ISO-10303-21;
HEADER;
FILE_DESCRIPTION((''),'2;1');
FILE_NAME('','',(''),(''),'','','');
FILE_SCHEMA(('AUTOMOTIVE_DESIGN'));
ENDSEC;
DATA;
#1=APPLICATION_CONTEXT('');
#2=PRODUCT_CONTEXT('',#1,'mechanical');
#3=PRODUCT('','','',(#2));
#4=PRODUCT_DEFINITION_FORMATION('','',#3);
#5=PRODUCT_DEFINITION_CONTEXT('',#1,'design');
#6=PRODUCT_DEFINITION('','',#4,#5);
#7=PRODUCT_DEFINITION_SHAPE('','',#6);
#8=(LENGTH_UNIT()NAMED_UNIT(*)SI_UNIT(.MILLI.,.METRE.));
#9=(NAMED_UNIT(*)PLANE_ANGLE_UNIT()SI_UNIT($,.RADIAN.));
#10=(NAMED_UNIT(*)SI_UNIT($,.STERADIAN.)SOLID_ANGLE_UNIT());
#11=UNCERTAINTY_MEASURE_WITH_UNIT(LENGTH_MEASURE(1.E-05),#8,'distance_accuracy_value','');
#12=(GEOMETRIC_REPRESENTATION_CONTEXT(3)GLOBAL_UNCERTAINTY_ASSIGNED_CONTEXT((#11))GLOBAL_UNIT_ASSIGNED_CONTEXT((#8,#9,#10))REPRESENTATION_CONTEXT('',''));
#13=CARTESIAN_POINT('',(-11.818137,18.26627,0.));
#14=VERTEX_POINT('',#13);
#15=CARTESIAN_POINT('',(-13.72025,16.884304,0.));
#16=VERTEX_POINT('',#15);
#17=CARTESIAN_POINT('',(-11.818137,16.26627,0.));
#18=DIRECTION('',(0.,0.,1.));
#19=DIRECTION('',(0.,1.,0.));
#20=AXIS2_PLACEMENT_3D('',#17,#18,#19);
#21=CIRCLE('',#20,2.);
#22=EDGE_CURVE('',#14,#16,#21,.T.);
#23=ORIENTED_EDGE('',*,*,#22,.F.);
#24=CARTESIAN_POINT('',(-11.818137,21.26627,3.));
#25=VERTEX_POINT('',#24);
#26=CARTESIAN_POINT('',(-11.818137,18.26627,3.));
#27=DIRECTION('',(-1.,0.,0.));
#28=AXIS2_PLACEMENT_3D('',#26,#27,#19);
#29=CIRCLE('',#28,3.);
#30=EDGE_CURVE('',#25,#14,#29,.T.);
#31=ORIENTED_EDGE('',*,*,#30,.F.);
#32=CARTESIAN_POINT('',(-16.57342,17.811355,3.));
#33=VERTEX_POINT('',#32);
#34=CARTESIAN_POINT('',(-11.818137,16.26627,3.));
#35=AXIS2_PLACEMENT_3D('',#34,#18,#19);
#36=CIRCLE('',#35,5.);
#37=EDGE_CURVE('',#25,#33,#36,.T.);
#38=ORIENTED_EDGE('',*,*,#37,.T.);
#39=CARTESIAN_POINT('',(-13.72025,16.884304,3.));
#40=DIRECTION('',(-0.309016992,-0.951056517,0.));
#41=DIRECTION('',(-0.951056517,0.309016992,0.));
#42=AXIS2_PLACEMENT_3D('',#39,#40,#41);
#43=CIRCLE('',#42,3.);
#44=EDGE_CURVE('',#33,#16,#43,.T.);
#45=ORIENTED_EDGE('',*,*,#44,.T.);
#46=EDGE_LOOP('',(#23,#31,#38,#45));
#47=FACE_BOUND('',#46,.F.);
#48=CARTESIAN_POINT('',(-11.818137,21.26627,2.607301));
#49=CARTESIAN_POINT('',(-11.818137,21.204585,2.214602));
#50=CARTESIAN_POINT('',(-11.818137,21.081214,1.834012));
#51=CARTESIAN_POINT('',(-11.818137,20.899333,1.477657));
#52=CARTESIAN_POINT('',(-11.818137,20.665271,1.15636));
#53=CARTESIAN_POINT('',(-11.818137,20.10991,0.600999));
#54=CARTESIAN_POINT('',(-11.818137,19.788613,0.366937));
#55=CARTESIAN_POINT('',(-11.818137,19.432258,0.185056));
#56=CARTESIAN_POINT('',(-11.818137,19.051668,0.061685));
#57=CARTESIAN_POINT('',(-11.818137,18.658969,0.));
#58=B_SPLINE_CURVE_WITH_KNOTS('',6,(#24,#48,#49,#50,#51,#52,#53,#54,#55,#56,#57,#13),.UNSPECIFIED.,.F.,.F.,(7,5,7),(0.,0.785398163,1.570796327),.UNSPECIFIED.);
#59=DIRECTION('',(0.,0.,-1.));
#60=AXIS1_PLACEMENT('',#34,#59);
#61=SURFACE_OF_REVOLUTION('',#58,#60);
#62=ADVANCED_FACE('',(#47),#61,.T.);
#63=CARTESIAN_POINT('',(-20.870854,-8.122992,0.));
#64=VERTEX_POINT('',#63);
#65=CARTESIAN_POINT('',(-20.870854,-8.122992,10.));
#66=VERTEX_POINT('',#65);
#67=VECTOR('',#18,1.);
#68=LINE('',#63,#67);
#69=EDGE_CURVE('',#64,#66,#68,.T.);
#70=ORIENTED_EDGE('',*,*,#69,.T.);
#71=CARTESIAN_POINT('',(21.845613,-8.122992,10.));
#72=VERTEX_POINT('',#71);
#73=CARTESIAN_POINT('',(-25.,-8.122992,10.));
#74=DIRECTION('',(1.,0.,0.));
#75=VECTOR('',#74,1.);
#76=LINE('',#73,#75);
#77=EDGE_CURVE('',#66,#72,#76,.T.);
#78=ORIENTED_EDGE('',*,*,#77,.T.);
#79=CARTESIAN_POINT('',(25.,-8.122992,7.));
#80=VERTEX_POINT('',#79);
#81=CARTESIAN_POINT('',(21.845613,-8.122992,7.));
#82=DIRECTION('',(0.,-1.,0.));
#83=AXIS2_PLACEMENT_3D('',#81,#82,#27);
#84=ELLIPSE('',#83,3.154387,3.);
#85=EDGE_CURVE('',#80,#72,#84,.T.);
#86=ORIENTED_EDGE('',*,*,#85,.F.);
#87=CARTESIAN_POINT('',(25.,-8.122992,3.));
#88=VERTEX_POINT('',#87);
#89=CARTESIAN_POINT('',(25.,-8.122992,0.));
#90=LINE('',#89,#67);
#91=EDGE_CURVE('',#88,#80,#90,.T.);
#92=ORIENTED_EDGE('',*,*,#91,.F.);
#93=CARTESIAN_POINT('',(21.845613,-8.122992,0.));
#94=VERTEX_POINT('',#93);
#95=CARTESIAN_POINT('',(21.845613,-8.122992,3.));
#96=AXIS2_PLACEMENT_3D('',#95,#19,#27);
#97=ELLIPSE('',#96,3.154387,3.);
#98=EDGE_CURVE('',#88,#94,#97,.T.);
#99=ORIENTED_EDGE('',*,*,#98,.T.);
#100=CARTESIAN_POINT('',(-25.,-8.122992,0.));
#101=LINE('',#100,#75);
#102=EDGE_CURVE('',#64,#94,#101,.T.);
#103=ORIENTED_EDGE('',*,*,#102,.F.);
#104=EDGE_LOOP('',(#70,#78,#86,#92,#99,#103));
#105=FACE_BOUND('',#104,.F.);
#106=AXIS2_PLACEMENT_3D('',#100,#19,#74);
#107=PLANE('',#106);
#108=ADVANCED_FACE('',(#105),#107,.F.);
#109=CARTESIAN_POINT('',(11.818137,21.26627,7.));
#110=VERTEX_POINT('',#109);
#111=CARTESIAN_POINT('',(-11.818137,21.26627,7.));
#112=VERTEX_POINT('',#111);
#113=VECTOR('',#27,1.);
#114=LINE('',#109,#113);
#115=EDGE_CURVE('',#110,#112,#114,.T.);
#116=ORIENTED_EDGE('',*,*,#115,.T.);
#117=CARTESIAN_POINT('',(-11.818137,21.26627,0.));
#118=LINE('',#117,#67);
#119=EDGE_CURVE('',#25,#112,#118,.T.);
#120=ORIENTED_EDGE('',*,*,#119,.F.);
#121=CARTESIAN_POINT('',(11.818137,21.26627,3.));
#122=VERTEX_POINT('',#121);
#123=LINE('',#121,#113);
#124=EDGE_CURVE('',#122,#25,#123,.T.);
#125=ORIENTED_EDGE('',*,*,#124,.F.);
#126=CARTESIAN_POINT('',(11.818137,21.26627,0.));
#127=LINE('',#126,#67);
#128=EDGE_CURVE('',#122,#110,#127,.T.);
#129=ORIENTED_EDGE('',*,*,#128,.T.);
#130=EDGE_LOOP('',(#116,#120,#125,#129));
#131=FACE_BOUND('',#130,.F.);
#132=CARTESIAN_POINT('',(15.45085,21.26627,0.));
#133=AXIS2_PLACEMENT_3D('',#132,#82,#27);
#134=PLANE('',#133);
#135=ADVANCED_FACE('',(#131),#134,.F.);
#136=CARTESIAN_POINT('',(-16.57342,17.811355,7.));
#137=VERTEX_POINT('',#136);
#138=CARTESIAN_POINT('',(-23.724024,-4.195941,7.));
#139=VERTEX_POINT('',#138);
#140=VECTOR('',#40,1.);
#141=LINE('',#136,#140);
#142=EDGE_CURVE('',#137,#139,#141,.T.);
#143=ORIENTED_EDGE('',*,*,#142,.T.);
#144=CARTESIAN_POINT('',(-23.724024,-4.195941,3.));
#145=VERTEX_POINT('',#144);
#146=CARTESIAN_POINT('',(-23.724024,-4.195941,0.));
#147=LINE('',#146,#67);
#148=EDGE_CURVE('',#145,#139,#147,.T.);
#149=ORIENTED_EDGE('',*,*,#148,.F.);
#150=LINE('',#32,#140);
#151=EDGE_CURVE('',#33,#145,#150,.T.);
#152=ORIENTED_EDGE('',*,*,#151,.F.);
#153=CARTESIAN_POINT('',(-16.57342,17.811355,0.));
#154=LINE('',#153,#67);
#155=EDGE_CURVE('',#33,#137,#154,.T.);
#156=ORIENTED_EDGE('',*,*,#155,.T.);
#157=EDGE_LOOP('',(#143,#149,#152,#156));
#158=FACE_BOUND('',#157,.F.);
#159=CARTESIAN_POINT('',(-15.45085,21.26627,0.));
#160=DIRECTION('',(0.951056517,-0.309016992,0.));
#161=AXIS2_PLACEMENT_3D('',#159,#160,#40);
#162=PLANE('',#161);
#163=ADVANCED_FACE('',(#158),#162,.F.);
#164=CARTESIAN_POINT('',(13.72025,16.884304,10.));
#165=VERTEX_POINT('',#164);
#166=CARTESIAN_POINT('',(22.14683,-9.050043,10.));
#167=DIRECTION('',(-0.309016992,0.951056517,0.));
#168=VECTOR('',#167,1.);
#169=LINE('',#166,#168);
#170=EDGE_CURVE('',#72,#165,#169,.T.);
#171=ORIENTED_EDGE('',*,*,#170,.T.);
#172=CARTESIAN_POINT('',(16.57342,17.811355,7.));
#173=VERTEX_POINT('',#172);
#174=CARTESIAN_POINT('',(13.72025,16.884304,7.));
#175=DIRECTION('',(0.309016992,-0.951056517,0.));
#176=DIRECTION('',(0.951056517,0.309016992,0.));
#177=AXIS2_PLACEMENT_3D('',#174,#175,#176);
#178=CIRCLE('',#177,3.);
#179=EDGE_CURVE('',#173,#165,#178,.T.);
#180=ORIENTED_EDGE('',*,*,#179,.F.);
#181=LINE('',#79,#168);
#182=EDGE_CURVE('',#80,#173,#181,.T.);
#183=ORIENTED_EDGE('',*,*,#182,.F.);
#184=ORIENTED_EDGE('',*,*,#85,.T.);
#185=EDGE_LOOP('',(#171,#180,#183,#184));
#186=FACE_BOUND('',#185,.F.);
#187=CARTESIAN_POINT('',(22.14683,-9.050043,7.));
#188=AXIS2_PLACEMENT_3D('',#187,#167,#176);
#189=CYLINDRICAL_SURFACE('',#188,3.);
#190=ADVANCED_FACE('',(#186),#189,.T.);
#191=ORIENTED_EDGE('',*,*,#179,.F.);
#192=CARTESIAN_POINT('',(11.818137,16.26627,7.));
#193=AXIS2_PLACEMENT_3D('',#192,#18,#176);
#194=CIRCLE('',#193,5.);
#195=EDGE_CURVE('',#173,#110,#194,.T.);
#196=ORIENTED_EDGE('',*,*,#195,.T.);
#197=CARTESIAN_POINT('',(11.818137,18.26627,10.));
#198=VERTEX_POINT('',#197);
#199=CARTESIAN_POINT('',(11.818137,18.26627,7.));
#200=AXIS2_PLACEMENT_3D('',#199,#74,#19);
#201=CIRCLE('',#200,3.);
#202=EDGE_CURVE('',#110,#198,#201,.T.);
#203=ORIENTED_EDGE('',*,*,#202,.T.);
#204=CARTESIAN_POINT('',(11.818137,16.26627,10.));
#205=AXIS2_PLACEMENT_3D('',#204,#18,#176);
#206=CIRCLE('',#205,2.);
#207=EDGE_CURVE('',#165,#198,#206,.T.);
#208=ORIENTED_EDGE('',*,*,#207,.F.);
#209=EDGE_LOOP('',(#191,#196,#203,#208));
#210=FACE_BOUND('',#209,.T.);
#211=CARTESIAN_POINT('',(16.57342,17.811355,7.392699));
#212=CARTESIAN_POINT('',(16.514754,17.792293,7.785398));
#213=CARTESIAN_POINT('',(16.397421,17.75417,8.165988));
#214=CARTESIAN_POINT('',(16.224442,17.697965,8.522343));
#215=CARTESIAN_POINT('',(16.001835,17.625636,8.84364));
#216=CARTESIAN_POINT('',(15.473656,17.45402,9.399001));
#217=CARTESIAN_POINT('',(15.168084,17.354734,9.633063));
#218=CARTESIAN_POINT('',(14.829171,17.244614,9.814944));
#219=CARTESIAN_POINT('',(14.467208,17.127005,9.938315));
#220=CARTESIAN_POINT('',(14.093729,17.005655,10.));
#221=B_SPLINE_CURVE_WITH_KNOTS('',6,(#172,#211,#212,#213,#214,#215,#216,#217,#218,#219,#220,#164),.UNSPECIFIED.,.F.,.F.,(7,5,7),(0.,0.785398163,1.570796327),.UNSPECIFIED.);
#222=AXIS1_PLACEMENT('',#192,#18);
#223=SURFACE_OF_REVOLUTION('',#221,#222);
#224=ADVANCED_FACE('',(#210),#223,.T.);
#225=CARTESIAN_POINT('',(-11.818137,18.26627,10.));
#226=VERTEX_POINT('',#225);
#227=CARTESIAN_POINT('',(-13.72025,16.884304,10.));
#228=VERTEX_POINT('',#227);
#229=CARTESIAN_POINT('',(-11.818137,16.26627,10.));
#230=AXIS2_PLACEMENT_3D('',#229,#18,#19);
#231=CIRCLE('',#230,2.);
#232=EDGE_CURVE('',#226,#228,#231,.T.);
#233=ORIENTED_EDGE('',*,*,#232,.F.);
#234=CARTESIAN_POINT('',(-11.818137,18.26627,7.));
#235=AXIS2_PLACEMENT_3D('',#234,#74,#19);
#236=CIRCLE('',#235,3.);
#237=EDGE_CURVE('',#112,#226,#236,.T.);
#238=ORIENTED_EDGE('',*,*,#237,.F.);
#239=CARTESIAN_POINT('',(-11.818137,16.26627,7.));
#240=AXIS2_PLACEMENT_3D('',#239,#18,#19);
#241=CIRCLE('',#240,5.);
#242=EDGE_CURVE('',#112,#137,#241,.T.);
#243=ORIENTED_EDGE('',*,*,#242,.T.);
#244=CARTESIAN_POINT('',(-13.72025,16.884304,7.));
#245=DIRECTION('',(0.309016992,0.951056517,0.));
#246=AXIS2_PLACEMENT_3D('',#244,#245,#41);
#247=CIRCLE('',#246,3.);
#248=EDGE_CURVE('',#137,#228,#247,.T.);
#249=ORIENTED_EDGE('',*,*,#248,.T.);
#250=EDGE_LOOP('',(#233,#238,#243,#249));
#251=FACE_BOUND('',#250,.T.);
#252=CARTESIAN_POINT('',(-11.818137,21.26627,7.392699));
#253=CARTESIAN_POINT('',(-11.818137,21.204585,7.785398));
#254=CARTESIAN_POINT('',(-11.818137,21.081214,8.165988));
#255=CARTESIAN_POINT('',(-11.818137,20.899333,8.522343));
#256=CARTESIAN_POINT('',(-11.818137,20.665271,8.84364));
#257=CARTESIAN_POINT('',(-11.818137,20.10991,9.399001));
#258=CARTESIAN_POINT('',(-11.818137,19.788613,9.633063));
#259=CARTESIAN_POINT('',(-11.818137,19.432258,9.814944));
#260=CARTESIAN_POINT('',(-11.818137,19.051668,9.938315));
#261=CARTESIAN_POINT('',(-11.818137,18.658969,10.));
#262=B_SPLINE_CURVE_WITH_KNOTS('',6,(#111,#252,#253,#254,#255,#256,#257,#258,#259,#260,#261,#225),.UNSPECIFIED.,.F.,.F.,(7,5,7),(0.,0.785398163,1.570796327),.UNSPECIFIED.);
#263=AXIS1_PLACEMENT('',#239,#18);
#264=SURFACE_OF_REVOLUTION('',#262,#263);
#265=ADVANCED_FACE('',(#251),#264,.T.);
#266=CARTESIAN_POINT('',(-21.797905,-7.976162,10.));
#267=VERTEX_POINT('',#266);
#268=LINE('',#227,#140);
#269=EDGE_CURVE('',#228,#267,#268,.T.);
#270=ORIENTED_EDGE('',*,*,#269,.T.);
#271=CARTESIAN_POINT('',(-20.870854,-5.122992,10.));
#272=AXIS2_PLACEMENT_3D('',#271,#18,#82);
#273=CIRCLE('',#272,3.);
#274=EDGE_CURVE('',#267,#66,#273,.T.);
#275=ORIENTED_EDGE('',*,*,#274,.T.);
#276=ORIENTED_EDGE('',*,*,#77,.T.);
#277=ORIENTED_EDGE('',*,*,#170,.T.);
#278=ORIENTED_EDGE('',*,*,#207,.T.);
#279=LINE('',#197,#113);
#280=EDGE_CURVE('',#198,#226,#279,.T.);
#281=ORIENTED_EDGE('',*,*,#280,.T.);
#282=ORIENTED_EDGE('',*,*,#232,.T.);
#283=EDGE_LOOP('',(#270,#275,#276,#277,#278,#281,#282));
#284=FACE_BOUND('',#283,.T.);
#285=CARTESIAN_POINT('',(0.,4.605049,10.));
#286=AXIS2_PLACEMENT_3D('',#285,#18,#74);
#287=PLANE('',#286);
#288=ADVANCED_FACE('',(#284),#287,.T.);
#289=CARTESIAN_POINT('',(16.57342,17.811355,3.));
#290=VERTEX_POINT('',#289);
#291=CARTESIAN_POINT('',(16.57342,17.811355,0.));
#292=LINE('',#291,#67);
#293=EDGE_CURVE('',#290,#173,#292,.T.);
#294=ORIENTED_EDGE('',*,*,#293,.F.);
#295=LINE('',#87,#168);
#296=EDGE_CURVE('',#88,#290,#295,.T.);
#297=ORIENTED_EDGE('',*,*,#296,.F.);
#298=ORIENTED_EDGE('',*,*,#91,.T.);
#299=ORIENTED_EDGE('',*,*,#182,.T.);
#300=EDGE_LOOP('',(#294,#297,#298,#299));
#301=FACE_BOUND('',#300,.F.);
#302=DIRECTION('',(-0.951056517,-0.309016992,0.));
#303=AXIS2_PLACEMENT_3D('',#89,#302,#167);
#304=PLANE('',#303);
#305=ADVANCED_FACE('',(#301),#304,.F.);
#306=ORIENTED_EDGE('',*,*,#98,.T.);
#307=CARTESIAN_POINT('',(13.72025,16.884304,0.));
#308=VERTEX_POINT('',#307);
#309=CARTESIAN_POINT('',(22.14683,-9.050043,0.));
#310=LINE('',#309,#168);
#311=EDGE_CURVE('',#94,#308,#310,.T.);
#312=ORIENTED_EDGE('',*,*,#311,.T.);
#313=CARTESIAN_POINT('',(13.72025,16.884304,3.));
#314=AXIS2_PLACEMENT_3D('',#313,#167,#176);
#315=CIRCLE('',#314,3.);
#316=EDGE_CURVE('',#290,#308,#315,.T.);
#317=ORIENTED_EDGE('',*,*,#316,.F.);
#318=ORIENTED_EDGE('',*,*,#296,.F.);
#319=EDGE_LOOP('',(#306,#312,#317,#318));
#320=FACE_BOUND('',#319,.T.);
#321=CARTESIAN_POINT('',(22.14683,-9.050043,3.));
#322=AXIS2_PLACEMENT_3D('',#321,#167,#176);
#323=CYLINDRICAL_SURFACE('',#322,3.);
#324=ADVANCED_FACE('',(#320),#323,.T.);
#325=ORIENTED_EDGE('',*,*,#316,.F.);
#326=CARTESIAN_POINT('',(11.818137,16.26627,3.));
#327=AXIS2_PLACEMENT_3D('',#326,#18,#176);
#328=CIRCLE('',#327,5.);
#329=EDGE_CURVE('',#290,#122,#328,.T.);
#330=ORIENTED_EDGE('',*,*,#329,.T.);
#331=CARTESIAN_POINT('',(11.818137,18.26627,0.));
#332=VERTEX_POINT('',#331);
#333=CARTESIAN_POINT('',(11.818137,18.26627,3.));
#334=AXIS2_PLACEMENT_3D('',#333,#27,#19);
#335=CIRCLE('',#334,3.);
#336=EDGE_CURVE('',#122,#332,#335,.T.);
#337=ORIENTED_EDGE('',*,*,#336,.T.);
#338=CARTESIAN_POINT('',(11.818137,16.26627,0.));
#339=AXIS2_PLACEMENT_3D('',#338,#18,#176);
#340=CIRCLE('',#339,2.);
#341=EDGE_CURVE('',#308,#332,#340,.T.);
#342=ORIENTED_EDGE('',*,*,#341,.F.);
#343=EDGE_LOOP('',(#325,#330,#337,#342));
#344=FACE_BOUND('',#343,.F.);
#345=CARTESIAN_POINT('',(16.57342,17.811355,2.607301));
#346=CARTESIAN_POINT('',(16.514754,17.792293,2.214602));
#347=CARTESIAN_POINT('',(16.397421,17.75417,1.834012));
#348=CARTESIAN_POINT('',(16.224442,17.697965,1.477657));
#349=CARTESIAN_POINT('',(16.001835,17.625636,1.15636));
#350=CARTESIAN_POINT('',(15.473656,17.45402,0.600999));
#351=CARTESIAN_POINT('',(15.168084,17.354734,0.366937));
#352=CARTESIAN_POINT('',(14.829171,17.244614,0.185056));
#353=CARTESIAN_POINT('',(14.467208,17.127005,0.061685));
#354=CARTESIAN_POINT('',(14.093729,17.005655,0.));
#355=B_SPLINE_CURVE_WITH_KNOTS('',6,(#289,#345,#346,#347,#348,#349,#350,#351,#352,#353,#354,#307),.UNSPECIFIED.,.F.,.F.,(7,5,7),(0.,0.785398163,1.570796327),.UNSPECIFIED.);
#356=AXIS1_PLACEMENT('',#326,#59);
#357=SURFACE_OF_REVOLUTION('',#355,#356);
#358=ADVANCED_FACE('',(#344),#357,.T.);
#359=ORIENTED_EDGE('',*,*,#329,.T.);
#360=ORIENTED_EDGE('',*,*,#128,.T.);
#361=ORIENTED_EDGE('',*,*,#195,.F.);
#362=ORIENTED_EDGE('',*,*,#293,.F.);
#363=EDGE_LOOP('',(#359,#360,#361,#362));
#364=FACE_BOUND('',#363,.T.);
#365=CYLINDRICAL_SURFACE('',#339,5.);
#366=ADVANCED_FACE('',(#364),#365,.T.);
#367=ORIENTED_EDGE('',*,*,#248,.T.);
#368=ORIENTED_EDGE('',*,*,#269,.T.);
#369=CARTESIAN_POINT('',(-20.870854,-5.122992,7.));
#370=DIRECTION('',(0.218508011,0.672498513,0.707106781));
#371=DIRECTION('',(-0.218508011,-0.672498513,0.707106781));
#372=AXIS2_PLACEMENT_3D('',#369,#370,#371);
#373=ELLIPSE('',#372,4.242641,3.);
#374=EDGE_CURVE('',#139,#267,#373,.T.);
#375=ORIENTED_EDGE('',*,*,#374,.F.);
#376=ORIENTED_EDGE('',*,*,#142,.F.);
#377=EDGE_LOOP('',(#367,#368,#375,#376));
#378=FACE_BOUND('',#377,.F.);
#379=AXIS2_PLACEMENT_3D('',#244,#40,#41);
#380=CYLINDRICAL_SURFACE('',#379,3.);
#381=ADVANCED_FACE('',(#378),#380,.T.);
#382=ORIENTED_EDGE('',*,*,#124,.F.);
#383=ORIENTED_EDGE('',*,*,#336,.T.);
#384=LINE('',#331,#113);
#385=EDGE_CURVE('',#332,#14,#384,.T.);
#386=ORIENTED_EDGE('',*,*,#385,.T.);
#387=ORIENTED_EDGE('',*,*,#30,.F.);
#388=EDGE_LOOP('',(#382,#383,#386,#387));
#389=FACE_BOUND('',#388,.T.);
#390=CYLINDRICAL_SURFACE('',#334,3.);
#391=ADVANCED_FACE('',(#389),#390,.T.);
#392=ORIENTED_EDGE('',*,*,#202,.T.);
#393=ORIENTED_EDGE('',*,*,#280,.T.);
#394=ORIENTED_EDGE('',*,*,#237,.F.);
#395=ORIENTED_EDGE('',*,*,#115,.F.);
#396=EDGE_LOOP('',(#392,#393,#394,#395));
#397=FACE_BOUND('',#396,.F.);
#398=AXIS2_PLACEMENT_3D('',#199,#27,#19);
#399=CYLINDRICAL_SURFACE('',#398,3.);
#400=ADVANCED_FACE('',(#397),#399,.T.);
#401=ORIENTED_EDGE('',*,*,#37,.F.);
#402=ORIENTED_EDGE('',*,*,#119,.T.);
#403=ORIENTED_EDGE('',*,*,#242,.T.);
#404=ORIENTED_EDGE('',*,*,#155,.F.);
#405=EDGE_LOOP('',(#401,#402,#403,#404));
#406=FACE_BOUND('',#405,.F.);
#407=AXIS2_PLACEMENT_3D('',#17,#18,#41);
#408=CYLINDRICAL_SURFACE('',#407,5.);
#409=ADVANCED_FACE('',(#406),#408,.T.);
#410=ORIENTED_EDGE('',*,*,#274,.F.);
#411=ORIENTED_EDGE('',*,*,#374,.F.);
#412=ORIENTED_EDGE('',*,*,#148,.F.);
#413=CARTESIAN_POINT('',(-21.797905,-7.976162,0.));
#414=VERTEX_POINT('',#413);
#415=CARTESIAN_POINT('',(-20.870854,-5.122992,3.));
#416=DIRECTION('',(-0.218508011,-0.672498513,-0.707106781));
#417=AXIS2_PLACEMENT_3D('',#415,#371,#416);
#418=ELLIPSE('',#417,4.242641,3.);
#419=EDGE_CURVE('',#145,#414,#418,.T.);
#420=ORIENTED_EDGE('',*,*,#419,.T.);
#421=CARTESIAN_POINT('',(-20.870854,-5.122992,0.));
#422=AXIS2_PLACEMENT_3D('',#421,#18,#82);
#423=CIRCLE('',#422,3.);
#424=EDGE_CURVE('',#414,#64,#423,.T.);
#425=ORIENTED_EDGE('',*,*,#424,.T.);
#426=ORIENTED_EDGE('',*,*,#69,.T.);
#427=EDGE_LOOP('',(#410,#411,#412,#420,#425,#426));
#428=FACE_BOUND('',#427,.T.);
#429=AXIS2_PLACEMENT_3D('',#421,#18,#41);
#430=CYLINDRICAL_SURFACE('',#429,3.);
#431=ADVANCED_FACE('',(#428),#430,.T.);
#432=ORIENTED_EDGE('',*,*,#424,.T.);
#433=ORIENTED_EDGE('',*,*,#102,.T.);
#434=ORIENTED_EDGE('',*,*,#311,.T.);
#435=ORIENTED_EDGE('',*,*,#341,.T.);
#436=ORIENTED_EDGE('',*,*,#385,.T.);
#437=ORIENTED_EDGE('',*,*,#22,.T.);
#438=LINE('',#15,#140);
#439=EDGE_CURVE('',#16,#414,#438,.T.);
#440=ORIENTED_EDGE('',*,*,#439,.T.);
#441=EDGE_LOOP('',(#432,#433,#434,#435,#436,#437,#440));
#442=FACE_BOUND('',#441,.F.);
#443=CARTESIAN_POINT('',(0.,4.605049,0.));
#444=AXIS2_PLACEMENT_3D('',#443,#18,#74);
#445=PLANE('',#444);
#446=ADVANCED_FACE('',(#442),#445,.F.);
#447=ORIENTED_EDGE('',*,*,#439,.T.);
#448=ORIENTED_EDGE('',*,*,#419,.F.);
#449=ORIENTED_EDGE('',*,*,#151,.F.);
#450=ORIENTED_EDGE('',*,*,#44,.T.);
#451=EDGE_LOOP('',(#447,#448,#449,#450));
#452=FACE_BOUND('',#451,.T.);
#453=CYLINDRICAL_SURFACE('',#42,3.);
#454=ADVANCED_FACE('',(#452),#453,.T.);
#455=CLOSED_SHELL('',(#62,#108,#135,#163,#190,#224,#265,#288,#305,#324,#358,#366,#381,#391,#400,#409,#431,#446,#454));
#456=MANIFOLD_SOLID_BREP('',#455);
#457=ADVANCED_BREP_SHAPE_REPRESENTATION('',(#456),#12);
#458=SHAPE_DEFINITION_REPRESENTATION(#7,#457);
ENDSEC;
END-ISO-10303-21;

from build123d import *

# Parameters (mm, degrees)
F1_DEPTH = 10
F2_R     = 5
F3_R     = 3


with BuildPart() as f1:
    # F0 (on Top) → F1 (new body)
    with BuildSketch(Plane.XY):
        Polygon((-15.45085, 21.26627), (-25, -8.122992), (25, -8.122992), (15.45085, 21.26627), align=None)
    extrude(amount=F1_DEPTH)

    # F2
    f2_edges = [f1.edges().sort_by_distance(p)[0] for p in [
        (-15.45085, 21.26627, 5),
        (15.45085, 21.26627, 5),
    ]]
    fillet(f2_edges, radius=F2_R)

    # F3
    f3_edges = [f1.edges().sort_by_distance(p)[0] for p in [
        (-20.78671, 4.844181, 0),
        (-16.57342, 17.811355, 5),
        (-25, -8.122992, 5),
        (-20.78671, 4.844181, 10),
    ]]
    fillet(f3_edges, radius=F3_R)


solid = f1.part
